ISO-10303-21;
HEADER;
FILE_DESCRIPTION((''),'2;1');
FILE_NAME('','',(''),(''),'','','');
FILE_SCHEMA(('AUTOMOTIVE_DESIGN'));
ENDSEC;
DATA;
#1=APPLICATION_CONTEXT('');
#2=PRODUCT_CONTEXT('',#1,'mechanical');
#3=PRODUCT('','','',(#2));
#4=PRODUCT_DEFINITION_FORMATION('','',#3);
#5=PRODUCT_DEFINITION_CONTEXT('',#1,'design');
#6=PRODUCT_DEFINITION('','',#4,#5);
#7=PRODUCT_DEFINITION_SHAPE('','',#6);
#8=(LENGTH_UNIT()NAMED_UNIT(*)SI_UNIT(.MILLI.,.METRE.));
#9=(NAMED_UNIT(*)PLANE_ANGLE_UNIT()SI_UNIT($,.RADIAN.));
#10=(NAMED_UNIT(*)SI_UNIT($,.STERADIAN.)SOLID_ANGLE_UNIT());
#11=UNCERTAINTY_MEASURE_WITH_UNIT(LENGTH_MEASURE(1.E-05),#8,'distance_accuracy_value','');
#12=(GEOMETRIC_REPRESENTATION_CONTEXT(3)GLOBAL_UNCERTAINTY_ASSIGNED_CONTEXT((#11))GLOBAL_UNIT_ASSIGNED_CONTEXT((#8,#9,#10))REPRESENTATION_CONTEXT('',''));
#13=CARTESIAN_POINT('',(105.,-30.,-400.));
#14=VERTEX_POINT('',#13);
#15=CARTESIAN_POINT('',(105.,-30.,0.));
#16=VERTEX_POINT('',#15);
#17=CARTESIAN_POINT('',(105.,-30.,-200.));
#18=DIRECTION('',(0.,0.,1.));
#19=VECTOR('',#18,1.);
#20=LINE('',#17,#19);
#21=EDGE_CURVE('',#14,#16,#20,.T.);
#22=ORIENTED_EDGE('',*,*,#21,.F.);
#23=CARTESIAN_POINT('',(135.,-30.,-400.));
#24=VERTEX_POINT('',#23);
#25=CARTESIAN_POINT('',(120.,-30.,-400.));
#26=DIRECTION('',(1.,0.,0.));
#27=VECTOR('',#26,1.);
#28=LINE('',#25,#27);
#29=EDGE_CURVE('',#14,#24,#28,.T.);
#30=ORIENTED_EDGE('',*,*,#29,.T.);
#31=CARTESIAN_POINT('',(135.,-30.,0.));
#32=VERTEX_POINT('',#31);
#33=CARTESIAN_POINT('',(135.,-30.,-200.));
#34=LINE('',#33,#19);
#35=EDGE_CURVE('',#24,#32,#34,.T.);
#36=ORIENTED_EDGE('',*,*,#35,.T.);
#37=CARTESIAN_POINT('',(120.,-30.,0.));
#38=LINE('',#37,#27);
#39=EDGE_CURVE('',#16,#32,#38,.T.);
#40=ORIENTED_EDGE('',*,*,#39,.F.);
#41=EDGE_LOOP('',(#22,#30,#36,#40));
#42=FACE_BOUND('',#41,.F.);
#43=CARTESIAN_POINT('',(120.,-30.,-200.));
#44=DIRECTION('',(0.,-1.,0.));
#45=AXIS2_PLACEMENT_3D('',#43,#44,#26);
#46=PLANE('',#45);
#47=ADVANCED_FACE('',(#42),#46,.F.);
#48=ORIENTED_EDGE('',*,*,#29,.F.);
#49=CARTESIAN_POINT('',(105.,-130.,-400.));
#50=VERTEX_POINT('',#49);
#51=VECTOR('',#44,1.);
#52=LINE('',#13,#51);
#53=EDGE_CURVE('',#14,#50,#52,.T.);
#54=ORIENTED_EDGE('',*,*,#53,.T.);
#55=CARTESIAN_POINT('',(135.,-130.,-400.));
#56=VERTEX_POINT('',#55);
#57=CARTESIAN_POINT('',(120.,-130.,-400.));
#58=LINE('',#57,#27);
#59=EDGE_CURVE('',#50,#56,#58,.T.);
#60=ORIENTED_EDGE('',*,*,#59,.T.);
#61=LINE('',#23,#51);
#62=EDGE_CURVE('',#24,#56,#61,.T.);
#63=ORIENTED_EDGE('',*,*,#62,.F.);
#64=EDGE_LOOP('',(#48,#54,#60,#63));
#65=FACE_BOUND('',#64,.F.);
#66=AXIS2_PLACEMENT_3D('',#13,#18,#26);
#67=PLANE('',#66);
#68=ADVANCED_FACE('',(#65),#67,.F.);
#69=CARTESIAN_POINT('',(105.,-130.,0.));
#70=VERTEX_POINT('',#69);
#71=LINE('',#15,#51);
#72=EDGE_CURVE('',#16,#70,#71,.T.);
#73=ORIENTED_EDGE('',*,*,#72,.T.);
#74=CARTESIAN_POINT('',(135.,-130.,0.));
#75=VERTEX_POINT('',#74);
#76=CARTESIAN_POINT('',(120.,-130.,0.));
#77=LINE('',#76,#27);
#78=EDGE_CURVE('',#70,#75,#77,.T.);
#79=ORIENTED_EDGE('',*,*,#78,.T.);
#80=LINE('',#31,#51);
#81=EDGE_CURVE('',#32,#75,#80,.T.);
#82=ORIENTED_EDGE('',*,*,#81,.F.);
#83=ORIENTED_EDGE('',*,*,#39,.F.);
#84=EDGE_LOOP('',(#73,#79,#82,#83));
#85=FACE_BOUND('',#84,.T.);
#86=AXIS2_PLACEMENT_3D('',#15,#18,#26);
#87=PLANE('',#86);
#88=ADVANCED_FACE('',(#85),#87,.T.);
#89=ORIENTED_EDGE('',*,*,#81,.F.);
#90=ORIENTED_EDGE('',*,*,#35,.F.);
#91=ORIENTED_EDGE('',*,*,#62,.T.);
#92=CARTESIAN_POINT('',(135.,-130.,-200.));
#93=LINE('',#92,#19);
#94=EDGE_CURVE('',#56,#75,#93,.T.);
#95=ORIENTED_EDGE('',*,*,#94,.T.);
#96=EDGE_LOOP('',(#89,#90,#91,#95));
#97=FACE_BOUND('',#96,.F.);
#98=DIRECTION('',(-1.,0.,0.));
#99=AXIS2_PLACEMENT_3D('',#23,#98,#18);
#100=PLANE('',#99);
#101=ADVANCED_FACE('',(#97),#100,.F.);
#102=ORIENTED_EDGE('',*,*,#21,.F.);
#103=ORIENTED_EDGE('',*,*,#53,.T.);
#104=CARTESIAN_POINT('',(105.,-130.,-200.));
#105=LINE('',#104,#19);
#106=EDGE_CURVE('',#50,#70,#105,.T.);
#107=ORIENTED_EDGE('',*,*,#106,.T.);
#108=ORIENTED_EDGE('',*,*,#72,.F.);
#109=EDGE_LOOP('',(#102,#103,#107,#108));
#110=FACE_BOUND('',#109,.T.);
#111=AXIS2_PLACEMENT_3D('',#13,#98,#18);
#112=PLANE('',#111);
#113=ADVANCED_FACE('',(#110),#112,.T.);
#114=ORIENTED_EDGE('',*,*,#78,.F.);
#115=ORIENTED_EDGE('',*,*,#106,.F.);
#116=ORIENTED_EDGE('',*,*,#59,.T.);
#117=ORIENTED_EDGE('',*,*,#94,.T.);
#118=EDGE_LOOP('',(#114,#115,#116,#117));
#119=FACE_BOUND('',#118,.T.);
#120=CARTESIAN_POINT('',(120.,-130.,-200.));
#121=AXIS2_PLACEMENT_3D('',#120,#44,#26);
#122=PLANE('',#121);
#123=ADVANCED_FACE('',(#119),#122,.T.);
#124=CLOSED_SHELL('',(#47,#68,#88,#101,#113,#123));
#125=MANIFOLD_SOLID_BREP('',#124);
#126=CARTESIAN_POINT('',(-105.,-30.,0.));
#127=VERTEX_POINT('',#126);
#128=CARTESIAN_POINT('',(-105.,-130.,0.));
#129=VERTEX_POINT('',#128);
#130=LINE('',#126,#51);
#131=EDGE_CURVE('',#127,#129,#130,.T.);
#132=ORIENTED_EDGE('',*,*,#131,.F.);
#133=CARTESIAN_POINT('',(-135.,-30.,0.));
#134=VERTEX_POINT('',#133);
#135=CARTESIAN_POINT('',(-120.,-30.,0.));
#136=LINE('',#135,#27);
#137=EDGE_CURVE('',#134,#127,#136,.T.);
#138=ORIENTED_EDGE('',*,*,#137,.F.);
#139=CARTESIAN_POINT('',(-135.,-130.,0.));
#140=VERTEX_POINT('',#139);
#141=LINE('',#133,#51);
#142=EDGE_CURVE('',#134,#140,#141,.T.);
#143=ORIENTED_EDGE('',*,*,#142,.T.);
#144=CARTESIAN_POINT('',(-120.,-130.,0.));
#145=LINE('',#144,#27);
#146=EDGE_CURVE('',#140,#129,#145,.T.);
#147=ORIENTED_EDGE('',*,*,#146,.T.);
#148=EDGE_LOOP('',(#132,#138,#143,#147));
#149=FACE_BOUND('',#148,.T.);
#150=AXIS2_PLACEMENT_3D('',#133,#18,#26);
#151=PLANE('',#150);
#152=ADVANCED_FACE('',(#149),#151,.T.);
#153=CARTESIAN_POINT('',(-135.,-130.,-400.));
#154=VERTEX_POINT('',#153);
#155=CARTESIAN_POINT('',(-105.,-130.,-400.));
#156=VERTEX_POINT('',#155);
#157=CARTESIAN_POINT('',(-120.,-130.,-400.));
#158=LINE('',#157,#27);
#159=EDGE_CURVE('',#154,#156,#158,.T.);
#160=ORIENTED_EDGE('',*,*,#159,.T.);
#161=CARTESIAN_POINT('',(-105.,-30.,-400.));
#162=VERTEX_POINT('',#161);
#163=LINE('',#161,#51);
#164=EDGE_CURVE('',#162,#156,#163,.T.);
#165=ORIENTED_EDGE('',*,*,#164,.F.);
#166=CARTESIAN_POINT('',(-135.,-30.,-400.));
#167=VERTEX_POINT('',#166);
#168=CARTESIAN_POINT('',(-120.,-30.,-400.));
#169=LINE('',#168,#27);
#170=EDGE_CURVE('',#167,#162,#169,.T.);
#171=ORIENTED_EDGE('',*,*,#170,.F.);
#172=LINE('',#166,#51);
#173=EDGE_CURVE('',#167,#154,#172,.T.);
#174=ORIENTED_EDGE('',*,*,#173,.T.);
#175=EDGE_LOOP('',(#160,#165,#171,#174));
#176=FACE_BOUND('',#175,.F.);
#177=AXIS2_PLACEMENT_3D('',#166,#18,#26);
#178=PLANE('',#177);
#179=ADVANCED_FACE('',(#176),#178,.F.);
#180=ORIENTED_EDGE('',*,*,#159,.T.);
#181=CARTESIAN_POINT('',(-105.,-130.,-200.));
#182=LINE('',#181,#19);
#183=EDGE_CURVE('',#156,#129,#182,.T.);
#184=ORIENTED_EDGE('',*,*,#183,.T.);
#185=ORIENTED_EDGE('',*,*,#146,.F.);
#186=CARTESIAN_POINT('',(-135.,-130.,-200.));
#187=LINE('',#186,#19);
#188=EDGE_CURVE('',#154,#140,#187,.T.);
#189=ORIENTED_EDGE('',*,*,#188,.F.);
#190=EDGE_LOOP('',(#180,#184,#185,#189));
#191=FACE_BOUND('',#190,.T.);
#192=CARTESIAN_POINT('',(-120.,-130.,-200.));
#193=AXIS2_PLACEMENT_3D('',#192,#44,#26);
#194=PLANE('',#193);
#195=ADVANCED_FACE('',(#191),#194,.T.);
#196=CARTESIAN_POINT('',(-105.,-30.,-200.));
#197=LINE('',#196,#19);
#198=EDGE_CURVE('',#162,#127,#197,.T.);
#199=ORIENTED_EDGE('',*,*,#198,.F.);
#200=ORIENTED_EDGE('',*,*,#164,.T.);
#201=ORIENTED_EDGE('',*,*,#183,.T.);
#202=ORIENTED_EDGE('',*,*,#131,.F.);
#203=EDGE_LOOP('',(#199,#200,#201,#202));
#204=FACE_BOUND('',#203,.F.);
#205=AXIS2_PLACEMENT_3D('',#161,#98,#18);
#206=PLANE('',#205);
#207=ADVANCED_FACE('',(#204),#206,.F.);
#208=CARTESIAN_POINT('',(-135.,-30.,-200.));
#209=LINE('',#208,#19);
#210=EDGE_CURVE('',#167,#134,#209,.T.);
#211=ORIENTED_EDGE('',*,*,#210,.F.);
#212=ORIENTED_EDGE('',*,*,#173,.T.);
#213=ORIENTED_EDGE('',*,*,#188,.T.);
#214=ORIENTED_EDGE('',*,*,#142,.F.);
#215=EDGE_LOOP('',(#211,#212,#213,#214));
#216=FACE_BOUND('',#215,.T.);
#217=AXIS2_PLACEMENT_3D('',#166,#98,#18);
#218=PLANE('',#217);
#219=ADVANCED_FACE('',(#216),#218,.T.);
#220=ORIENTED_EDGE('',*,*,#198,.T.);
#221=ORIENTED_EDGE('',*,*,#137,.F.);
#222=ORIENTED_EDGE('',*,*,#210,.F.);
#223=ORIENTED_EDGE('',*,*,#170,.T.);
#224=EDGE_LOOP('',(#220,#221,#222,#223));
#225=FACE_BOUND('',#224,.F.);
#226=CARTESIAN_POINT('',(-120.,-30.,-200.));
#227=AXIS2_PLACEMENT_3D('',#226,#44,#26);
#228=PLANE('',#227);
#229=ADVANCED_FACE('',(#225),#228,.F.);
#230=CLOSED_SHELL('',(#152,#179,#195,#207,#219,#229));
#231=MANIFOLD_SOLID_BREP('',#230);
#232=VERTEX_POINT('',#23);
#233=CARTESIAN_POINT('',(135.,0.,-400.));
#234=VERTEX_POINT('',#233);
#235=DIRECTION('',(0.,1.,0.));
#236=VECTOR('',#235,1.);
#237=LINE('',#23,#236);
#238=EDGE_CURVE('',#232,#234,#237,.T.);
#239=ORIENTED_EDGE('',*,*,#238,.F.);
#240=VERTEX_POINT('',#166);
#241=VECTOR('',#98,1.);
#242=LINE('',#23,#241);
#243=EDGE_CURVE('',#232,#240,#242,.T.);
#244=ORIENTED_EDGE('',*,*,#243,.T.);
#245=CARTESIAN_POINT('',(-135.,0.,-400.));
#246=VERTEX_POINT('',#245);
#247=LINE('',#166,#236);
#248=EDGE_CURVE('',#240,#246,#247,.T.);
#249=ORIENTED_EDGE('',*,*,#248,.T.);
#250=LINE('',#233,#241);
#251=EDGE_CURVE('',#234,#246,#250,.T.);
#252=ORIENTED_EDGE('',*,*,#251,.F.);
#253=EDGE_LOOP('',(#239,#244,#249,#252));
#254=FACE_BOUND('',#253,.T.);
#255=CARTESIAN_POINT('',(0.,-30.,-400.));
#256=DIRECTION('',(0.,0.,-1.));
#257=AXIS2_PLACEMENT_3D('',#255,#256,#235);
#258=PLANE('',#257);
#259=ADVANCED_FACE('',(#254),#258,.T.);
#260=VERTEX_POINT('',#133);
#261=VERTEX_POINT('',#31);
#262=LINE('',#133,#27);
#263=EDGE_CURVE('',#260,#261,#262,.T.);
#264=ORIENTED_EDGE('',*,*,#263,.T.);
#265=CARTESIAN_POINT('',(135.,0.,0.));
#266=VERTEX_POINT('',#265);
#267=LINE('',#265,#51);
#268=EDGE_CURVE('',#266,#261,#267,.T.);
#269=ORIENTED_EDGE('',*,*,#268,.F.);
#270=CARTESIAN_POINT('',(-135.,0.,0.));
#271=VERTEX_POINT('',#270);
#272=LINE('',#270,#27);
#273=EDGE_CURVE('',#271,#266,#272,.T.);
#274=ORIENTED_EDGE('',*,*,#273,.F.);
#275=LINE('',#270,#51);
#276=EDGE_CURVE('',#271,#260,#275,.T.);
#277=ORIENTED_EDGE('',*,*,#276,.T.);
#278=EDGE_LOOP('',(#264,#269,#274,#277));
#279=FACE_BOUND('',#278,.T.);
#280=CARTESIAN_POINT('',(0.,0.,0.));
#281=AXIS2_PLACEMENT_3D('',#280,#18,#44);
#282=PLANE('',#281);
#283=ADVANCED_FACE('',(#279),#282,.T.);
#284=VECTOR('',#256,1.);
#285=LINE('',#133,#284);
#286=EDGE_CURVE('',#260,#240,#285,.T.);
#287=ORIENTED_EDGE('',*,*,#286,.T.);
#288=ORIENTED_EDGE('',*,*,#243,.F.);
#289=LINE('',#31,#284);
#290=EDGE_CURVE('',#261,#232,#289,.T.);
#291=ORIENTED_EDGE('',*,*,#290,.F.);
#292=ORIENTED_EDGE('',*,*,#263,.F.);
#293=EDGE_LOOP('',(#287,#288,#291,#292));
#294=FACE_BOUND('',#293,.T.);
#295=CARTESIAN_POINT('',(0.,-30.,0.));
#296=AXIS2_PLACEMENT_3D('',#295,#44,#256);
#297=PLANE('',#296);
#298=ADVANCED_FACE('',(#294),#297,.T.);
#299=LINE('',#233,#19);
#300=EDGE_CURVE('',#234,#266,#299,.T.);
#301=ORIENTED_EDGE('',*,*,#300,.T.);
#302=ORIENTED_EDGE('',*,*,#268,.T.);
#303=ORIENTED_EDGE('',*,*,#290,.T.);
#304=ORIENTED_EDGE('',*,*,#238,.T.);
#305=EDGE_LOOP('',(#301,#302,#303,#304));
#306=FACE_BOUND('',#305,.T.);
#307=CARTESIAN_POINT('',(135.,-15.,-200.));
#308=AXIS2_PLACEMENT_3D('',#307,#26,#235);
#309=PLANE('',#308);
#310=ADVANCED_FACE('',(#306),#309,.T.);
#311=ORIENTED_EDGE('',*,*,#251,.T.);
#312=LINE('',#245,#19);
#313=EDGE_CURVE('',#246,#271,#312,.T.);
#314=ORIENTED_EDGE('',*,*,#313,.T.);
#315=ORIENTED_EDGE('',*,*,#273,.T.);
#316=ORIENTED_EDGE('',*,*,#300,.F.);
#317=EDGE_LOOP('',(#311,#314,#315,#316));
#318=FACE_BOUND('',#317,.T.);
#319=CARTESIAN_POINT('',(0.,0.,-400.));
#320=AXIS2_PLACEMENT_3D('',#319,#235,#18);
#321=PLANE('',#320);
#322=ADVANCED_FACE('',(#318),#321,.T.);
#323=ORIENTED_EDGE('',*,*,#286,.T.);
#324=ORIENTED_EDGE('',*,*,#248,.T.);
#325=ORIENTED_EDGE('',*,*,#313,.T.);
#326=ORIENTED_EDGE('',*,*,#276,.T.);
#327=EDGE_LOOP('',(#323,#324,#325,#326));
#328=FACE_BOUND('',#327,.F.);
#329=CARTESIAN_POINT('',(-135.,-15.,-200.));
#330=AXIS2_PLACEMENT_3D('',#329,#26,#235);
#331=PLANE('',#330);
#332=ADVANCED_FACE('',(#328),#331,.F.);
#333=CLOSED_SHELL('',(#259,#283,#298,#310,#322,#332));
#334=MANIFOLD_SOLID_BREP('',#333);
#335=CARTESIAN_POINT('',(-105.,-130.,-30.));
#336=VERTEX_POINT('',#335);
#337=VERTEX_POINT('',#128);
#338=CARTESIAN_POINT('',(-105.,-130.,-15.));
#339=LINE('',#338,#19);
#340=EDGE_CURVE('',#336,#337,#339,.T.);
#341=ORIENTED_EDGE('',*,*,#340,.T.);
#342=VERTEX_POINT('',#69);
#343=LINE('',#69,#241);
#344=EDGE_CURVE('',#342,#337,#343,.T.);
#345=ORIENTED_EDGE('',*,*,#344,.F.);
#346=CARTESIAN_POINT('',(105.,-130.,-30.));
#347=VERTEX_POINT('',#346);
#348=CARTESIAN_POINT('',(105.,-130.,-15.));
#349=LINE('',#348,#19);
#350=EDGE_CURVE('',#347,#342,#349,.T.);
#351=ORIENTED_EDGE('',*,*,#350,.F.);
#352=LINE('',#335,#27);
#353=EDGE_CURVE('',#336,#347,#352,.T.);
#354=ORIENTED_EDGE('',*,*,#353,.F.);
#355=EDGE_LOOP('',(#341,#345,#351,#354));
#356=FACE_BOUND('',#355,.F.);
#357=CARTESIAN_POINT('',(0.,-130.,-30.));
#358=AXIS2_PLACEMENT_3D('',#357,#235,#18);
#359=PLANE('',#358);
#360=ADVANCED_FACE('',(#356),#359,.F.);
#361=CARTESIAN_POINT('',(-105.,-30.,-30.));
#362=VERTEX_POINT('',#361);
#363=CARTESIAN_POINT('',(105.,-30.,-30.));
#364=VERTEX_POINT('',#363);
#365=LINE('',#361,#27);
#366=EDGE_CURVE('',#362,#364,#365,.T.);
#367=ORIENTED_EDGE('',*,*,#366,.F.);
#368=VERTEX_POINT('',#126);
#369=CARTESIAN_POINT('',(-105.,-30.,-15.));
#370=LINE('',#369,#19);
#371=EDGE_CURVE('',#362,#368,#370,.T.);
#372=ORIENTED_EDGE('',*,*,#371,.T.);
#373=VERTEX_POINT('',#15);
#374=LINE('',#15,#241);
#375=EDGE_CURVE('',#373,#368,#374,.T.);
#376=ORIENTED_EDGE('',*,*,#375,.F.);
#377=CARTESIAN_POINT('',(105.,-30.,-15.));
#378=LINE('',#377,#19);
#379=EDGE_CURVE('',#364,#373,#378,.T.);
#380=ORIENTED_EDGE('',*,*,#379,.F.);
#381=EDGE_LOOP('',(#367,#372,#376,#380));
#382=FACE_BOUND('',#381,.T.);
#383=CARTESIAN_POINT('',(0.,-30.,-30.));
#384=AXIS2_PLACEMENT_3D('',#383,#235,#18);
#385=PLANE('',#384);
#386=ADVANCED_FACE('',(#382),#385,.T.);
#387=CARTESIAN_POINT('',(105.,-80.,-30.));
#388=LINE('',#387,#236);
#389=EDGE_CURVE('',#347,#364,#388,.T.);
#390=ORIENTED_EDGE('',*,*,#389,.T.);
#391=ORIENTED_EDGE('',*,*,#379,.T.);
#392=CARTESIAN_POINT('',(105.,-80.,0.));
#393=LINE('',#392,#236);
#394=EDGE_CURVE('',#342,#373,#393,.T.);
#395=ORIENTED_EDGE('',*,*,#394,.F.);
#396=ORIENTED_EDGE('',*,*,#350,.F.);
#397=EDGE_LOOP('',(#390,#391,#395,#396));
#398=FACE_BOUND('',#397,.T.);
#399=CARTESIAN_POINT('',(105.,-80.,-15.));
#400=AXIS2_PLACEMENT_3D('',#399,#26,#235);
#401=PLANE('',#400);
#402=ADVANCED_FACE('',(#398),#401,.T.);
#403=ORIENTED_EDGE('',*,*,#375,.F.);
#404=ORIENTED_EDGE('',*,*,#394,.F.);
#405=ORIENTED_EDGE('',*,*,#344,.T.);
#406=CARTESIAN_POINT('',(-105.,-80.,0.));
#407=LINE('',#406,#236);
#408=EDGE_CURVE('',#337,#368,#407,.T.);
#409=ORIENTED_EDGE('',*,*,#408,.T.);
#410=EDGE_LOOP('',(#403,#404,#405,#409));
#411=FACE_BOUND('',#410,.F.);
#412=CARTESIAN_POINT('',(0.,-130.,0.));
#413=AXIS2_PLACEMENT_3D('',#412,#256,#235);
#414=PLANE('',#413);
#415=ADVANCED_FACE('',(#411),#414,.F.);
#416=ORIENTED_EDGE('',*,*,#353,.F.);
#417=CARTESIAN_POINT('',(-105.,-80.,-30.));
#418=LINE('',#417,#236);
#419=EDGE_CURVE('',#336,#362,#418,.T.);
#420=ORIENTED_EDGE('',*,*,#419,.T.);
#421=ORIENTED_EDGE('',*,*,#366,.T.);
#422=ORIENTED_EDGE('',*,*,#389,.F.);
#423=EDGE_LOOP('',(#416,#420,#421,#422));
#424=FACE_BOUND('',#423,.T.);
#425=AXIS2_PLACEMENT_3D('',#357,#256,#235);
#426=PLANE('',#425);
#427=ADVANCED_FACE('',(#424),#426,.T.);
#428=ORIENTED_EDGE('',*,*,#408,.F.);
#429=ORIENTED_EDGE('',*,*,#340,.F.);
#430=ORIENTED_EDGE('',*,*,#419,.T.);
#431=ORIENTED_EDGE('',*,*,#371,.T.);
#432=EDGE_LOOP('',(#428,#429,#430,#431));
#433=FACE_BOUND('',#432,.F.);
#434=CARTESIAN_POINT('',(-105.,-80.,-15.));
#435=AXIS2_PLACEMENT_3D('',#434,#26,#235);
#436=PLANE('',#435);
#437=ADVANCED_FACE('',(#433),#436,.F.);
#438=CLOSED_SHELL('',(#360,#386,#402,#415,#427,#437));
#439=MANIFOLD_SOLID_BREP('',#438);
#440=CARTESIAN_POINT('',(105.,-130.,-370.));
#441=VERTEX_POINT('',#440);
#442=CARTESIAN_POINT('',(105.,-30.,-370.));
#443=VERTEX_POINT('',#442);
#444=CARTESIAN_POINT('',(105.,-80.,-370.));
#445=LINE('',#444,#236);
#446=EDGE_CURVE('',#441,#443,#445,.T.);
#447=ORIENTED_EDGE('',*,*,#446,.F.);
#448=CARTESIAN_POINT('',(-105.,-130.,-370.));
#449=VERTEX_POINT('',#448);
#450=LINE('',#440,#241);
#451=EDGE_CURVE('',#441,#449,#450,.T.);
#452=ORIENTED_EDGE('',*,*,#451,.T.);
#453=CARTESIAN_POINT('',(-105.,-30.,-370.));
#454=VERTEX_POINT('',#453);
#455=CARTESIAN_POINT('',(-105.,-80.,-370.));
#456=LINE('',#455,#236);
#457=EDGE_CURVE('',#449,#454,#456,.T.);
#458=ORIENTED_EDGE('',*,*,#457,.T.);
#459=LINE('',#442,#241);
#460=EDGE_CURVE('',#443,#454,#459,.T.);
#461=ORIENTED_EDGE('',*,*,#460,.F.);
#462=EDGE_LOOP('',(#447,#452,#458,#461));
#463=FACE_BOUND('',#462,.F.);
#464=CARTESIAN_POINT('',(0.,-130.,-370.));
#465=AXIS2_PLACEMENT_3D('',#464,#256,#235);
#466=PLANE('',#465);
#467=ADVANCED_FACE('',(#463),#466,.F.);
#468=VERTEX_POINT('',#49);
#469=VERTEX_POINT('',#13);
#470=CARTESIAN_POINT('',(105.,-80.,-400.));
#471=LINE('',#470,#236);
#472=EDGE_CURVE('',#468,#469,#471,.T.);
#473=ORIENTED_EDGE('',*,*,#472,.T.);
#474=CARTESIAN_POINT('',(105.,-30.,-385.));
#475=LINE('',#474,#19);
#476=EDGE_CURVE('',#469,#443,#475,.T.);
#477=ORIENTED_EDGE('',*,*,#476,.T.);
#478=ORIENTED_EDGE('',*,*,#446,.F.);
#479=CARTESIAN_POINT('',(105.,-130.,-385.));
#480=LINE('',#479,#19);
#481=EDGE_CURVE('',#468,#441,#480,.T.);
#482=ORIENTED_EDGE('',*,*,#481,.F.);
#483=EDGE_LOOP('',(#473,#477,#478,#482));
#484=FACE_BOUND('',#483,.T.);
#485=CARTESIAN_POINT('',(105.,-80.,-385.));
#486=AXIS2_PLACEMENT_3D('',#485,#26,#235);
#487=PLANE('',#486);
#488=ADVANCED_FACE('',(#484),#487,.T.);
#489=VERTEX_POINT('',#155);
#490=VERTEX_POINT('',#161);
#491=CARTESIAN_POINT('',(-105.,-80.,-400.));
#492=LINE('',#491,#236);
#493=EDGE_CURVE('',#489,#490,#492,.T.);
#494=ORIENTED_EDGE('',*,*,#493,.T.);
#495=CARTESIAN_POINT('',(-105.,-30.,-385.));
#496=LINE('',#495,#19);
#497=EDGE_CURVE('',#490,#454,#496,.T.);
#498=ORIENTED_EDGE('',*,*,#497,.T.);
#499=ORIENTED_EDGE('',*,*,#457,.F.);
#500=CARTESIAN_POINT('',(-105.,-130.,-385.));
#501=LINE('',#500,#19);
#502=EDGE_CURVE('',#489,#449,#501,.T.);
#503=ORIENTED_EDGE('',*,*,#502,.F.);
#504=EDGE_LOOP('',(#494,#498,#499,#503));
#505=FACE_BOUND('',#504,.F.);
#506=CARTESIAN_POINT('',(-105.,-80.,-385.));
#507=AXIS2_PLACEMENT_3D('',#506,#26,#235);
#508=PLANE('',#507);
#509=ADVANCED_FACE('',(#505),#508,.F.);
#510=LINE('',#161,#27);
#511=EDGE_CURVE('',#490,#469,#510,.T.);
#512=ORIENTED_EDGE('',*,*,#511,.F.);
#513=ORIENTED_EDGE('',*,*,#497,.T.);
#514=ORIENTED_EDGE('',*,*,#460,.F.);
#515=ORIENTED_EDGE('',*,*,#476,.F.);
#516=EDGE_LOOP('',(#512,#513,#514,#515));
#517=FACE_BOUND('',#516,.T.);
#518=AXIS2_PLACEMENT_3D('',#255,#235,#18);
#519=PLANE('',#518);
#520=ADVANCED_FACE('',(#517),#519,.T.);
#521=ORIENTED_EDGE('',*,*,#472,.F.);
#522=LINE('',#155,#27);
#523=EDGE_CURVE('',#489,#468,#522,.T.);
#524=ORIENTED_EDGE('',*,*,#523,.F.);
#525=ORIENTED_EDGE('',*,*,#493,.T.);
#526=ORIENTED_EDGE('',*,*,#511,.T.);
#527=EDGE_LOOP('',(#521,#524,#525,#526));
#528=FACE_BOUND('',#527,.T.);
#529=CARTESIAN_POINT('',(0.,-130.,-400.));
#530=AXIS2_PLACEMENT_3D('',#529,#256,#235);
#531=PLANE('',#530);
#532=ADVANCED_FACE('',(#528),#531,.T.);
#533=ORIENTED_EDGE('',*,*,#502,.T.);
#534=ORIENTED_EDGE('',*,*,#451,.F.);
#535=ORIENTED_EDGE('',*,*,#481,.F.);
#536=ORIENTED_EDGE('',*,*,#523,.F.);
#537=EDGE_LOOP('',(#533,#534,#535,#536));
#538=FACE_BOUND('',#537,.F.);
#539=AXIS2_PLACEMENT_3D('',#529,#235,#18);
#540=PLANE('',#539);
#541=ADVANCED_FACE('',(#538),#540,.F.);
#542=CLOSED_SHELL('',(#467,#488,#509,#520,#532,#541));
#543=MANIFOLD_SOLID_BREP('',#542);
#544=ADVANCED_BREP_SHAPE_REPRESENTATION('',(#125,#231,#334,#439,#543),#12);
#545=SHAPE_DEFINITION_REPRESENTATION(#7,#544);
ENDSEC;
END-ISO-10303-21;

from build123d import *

# Parameters (mm, degrees)
F1_DEPTH = 135
F0_W     = 100
F0_H     = 30
F2_DEPTH = 105
F3_DEPTH = 105
F4_W     = 30
F4_H     = 400
F5_DEPTH = 100
F6_DEPTH = 100


with BuildPart() as f1:
    # F0 (on Right) → F1 (new body, symmetric)
    with BuildSketch(Plane.YZ):
        Polygon((0, -400), (0, 0), (-30, 0), (-30, -30), (-30, -370), (-30, -400), align=None)
    extrude(amount=F1_DEPTH, both=True)


with BuildPart() as f2:
    # F0 (on Right) → F2 (new body, symmetric)
    with BuildSketch(Plane.YZ):
        with Locations((-80, -15)):
            Rectangle(F0_W, F0_H)
    extrude(amount=F2_DEPTH, both=True)


with BuildPart() as f3:
    # F0 (on Right) → F3 (new body, symmetric)
    with BuildSketch(Plane.YZ):
        with Locations((-80, -385)):
            Rectangle(F0_W, F0_H)
    extrude(amount=F3_DEPTH, both=True)


with BuildPart() as f5:
    # F4 (on face) → F5 (new body, through all)
    with BuildSketch(Plane.XZ.offset(30)):
        with Locations((-120, -200)):
            Rectangle(F4_W, F4_H)
    extrude(amount=F5_DEPTH)


with BuildPart() as f6:
    # F4 (on face) → F6 (new body, through all)
    with BuildSketch(Plane.XZ.offset(30)):
        with Locations((120, -200)):
            Rectangle(F4_W, F4_H)
    extrude(amount=F6_DEPTH)


solid = Compound([f1.part, f2.part, f3.part, f5.part, f6.part])
